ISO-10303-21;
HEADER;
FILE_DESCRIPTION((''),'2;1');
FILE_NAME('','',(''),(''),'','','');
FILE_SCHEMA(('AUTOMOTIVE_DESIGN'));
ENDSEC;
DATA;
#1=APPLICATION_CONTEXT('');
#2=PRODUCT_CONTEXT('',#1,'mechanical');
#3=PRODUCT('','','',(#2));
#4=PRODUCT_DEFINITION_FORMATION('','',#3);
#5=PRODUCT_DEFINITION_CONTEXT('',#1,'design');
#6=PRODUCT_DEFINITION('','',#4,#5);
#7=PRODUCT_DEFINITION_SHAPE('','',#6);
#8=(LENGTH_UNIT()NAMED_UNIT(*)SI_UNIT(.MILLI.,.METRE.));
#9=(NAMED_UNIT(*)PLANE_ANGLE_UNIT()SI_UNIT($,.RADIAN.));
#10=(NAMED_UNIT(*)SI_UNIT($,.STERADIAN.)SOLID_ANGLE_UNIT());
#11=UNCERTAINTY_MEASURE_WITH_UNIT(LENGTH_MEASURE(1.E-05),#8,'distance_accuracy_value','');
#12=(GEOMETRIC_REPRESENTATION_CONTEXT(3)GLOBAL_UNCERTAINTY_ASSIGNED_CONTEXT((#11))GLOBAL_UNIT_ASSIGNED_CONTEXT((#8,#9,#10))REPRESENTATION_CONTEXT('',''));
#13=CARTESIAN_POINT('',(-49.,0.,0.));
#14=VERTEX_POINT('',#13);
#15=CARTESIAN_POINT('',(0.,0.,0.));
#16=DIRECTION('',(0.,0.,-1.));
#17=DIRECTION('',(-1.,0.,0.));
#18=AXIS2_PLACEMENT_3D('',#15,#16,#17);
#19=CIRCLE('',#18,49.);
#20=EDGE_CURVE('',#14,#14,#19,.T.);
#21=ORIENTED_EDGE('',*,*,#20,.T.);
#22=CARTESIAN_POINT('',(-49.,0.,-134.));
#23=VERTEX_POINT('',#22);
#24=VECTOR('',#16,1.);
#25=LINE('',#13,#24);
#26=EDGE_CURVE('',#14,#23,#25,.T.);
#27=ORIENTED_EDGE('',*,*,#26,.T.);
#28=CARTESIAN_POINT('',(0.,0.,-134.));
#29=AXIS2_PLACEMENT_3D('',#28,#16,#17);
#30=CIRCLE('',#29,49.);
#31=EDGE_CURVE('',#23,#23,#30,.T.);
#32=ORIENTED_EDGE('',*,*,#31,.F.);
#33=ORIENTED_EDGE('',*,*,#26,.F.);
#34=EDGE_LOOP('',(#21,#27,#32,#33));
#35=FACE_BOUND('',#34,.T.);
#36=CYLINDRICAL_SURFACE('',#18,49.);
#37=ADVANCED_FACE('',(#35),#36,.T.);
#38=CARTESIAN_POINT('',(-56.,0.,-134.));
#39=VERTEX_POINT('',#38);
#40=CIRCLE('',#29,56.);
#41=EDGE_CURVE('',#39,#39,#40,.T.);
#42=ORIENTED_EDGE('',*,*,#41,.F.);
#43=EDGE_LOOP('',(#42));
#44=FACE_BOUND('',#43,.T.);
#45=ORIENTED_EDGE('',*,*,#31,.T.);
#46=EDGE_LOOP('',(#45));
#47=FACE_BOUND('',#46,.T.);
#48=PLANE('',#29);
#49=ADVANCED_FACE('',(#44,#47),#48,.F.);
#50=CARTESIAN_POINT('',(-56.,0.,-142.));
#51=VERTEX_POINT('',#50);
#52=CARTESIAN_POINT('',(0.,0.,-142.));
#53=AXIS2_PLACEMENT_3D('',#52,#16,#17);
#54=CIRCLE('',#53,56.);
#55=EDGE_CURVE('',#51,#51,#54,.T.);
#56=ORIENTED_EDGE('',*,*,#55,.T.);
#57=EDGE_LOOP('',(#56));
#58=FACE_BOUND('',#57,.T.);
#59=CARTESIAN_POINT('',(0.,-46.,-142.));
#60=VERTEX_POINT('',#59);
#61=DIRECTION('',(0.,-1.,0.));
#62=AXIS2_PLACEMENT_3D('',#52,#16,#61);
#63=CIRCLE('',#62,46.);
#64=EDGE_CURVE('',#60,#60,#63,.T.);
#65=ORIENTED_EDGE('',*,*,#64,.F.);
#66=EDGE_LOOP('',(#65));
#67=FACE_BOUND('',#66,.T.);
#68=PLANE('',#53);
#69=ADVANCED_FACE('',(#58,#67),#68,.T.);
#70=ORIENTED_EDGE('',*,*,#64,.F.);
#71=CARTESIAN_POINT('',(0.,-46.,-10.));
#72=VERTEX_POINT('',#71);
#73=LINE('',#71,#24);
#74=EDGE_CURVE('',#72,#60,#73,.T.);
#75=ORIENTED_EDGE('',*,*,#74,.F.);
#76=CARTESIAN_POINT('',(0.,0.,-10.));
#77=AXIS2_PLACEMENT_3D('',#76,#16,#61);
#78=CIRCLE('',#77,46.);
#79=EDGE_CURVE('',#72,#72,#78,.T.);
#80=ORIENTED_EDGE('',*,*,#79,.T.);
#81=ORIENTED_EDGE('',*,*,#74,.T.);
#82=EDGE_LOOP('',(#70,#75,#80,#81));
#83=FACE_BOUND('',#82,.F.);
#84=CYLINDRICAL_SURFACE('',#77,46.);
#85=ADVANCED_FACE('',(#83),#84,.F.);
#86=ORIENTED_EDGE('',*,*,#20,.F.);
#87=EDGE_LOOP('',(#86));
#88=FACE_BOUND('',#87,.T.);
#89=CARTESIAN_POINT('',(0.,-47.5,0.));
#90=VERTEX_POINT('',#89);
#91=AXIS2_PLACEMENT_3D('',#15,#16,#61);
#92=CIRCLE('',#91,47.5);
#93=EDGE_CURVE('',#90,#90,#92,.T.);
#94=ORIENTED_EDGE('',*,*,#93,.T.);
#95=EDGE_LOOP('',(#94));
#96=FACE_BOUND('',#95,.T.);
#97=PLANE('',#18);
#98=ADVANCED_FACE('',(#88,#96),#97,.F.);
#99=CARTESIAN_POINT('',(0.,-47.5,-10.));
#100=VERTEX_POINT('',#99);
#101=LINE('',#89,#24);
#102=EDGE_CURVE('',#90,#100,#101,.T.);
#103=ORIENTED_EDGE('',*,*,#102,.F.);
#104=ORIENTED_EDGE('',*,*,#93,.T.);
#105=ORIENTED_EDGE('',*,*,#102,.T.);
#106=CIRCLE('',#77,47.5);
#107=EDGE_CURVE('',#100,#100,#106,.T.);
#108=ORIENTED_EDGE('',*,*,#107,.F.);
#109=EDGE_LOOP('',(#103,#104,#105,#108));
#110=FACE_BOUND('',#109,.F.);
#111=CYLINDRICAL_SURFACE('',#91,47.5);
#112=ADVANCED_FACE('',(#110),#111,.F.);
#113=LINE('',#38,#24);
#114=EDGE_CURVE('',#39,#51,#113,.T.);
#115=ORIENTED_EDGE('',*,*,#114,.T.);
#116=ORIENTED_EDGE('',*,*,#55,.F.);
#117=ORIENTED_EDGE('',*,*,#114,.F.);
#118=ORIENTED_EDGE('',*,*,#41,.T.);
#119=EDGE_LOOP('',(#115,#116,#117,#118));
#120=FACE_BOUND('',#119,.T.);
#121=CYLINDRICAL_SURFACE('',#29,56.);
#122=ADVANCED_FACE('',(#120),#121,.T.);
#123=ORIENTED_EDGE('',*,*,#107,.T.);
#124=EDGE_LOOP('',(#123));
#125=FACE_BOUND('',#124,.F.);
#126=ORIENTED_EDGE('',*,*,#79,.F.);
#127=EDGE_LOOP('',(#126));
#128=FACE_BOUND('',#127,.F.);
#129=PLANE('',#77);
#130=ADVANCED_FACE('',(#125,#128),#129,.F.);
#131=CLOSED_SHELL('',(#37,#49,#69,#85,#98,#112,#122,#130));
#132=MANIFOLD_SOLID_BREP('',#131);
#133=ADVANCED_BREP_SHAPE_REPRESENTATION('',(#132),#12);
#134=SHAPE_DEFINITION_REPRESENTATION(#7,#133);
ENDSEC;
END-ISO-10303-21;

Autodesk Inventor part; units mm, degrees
ref_plane "YZ Plane" through (0, 0, 0) normal (1, 0, 0) x (0, 1, 0)
ref_plane "XZ Plane" through (0, 0, 0) normal (0, 1, 0) x (-1, 0, 0)
ref_plane "XY Plane" through (0, 0, 0) normal (0, 0, 1) x (1, 0, 0)
sketch "Skizze1" plane through (0, 0, 0) normal (0, 1, 0) x (-1, 0, 0)
  line L0 (0, 0) -> (0, -142)
  line L1 (0, 0) -> (49, 0)
  line L2 (49, 0) -> (49, -134)
  line L3 (49, -134) -> (56, -134)
  line L4 (56, -134) -> (56, -142)
  line L5 (56, -142) -> (0, -142)
  dimension "d0" = 112
  dimension "d1" = 8
  dimension "d2" = 134
  dimension "d3" = 98
revolve "Umdrehung1" add sketch "Skizze1" angle 360 about axis through (0, 0, 0) along (0, 0, -1)
sketch "Skizze2" plane through (0, 0, 0) normal (0, 0, 1) x (1, 0, 0)
  circle A0 centre (0, 0) radius 49 projected
hole "Bohrung1" at (0, 0, 0) direction (0, 0, -1) diameter 92 end through all counterbore diameter 95 counterbore depth 10
properties part number "13" material "Phenolharz"
